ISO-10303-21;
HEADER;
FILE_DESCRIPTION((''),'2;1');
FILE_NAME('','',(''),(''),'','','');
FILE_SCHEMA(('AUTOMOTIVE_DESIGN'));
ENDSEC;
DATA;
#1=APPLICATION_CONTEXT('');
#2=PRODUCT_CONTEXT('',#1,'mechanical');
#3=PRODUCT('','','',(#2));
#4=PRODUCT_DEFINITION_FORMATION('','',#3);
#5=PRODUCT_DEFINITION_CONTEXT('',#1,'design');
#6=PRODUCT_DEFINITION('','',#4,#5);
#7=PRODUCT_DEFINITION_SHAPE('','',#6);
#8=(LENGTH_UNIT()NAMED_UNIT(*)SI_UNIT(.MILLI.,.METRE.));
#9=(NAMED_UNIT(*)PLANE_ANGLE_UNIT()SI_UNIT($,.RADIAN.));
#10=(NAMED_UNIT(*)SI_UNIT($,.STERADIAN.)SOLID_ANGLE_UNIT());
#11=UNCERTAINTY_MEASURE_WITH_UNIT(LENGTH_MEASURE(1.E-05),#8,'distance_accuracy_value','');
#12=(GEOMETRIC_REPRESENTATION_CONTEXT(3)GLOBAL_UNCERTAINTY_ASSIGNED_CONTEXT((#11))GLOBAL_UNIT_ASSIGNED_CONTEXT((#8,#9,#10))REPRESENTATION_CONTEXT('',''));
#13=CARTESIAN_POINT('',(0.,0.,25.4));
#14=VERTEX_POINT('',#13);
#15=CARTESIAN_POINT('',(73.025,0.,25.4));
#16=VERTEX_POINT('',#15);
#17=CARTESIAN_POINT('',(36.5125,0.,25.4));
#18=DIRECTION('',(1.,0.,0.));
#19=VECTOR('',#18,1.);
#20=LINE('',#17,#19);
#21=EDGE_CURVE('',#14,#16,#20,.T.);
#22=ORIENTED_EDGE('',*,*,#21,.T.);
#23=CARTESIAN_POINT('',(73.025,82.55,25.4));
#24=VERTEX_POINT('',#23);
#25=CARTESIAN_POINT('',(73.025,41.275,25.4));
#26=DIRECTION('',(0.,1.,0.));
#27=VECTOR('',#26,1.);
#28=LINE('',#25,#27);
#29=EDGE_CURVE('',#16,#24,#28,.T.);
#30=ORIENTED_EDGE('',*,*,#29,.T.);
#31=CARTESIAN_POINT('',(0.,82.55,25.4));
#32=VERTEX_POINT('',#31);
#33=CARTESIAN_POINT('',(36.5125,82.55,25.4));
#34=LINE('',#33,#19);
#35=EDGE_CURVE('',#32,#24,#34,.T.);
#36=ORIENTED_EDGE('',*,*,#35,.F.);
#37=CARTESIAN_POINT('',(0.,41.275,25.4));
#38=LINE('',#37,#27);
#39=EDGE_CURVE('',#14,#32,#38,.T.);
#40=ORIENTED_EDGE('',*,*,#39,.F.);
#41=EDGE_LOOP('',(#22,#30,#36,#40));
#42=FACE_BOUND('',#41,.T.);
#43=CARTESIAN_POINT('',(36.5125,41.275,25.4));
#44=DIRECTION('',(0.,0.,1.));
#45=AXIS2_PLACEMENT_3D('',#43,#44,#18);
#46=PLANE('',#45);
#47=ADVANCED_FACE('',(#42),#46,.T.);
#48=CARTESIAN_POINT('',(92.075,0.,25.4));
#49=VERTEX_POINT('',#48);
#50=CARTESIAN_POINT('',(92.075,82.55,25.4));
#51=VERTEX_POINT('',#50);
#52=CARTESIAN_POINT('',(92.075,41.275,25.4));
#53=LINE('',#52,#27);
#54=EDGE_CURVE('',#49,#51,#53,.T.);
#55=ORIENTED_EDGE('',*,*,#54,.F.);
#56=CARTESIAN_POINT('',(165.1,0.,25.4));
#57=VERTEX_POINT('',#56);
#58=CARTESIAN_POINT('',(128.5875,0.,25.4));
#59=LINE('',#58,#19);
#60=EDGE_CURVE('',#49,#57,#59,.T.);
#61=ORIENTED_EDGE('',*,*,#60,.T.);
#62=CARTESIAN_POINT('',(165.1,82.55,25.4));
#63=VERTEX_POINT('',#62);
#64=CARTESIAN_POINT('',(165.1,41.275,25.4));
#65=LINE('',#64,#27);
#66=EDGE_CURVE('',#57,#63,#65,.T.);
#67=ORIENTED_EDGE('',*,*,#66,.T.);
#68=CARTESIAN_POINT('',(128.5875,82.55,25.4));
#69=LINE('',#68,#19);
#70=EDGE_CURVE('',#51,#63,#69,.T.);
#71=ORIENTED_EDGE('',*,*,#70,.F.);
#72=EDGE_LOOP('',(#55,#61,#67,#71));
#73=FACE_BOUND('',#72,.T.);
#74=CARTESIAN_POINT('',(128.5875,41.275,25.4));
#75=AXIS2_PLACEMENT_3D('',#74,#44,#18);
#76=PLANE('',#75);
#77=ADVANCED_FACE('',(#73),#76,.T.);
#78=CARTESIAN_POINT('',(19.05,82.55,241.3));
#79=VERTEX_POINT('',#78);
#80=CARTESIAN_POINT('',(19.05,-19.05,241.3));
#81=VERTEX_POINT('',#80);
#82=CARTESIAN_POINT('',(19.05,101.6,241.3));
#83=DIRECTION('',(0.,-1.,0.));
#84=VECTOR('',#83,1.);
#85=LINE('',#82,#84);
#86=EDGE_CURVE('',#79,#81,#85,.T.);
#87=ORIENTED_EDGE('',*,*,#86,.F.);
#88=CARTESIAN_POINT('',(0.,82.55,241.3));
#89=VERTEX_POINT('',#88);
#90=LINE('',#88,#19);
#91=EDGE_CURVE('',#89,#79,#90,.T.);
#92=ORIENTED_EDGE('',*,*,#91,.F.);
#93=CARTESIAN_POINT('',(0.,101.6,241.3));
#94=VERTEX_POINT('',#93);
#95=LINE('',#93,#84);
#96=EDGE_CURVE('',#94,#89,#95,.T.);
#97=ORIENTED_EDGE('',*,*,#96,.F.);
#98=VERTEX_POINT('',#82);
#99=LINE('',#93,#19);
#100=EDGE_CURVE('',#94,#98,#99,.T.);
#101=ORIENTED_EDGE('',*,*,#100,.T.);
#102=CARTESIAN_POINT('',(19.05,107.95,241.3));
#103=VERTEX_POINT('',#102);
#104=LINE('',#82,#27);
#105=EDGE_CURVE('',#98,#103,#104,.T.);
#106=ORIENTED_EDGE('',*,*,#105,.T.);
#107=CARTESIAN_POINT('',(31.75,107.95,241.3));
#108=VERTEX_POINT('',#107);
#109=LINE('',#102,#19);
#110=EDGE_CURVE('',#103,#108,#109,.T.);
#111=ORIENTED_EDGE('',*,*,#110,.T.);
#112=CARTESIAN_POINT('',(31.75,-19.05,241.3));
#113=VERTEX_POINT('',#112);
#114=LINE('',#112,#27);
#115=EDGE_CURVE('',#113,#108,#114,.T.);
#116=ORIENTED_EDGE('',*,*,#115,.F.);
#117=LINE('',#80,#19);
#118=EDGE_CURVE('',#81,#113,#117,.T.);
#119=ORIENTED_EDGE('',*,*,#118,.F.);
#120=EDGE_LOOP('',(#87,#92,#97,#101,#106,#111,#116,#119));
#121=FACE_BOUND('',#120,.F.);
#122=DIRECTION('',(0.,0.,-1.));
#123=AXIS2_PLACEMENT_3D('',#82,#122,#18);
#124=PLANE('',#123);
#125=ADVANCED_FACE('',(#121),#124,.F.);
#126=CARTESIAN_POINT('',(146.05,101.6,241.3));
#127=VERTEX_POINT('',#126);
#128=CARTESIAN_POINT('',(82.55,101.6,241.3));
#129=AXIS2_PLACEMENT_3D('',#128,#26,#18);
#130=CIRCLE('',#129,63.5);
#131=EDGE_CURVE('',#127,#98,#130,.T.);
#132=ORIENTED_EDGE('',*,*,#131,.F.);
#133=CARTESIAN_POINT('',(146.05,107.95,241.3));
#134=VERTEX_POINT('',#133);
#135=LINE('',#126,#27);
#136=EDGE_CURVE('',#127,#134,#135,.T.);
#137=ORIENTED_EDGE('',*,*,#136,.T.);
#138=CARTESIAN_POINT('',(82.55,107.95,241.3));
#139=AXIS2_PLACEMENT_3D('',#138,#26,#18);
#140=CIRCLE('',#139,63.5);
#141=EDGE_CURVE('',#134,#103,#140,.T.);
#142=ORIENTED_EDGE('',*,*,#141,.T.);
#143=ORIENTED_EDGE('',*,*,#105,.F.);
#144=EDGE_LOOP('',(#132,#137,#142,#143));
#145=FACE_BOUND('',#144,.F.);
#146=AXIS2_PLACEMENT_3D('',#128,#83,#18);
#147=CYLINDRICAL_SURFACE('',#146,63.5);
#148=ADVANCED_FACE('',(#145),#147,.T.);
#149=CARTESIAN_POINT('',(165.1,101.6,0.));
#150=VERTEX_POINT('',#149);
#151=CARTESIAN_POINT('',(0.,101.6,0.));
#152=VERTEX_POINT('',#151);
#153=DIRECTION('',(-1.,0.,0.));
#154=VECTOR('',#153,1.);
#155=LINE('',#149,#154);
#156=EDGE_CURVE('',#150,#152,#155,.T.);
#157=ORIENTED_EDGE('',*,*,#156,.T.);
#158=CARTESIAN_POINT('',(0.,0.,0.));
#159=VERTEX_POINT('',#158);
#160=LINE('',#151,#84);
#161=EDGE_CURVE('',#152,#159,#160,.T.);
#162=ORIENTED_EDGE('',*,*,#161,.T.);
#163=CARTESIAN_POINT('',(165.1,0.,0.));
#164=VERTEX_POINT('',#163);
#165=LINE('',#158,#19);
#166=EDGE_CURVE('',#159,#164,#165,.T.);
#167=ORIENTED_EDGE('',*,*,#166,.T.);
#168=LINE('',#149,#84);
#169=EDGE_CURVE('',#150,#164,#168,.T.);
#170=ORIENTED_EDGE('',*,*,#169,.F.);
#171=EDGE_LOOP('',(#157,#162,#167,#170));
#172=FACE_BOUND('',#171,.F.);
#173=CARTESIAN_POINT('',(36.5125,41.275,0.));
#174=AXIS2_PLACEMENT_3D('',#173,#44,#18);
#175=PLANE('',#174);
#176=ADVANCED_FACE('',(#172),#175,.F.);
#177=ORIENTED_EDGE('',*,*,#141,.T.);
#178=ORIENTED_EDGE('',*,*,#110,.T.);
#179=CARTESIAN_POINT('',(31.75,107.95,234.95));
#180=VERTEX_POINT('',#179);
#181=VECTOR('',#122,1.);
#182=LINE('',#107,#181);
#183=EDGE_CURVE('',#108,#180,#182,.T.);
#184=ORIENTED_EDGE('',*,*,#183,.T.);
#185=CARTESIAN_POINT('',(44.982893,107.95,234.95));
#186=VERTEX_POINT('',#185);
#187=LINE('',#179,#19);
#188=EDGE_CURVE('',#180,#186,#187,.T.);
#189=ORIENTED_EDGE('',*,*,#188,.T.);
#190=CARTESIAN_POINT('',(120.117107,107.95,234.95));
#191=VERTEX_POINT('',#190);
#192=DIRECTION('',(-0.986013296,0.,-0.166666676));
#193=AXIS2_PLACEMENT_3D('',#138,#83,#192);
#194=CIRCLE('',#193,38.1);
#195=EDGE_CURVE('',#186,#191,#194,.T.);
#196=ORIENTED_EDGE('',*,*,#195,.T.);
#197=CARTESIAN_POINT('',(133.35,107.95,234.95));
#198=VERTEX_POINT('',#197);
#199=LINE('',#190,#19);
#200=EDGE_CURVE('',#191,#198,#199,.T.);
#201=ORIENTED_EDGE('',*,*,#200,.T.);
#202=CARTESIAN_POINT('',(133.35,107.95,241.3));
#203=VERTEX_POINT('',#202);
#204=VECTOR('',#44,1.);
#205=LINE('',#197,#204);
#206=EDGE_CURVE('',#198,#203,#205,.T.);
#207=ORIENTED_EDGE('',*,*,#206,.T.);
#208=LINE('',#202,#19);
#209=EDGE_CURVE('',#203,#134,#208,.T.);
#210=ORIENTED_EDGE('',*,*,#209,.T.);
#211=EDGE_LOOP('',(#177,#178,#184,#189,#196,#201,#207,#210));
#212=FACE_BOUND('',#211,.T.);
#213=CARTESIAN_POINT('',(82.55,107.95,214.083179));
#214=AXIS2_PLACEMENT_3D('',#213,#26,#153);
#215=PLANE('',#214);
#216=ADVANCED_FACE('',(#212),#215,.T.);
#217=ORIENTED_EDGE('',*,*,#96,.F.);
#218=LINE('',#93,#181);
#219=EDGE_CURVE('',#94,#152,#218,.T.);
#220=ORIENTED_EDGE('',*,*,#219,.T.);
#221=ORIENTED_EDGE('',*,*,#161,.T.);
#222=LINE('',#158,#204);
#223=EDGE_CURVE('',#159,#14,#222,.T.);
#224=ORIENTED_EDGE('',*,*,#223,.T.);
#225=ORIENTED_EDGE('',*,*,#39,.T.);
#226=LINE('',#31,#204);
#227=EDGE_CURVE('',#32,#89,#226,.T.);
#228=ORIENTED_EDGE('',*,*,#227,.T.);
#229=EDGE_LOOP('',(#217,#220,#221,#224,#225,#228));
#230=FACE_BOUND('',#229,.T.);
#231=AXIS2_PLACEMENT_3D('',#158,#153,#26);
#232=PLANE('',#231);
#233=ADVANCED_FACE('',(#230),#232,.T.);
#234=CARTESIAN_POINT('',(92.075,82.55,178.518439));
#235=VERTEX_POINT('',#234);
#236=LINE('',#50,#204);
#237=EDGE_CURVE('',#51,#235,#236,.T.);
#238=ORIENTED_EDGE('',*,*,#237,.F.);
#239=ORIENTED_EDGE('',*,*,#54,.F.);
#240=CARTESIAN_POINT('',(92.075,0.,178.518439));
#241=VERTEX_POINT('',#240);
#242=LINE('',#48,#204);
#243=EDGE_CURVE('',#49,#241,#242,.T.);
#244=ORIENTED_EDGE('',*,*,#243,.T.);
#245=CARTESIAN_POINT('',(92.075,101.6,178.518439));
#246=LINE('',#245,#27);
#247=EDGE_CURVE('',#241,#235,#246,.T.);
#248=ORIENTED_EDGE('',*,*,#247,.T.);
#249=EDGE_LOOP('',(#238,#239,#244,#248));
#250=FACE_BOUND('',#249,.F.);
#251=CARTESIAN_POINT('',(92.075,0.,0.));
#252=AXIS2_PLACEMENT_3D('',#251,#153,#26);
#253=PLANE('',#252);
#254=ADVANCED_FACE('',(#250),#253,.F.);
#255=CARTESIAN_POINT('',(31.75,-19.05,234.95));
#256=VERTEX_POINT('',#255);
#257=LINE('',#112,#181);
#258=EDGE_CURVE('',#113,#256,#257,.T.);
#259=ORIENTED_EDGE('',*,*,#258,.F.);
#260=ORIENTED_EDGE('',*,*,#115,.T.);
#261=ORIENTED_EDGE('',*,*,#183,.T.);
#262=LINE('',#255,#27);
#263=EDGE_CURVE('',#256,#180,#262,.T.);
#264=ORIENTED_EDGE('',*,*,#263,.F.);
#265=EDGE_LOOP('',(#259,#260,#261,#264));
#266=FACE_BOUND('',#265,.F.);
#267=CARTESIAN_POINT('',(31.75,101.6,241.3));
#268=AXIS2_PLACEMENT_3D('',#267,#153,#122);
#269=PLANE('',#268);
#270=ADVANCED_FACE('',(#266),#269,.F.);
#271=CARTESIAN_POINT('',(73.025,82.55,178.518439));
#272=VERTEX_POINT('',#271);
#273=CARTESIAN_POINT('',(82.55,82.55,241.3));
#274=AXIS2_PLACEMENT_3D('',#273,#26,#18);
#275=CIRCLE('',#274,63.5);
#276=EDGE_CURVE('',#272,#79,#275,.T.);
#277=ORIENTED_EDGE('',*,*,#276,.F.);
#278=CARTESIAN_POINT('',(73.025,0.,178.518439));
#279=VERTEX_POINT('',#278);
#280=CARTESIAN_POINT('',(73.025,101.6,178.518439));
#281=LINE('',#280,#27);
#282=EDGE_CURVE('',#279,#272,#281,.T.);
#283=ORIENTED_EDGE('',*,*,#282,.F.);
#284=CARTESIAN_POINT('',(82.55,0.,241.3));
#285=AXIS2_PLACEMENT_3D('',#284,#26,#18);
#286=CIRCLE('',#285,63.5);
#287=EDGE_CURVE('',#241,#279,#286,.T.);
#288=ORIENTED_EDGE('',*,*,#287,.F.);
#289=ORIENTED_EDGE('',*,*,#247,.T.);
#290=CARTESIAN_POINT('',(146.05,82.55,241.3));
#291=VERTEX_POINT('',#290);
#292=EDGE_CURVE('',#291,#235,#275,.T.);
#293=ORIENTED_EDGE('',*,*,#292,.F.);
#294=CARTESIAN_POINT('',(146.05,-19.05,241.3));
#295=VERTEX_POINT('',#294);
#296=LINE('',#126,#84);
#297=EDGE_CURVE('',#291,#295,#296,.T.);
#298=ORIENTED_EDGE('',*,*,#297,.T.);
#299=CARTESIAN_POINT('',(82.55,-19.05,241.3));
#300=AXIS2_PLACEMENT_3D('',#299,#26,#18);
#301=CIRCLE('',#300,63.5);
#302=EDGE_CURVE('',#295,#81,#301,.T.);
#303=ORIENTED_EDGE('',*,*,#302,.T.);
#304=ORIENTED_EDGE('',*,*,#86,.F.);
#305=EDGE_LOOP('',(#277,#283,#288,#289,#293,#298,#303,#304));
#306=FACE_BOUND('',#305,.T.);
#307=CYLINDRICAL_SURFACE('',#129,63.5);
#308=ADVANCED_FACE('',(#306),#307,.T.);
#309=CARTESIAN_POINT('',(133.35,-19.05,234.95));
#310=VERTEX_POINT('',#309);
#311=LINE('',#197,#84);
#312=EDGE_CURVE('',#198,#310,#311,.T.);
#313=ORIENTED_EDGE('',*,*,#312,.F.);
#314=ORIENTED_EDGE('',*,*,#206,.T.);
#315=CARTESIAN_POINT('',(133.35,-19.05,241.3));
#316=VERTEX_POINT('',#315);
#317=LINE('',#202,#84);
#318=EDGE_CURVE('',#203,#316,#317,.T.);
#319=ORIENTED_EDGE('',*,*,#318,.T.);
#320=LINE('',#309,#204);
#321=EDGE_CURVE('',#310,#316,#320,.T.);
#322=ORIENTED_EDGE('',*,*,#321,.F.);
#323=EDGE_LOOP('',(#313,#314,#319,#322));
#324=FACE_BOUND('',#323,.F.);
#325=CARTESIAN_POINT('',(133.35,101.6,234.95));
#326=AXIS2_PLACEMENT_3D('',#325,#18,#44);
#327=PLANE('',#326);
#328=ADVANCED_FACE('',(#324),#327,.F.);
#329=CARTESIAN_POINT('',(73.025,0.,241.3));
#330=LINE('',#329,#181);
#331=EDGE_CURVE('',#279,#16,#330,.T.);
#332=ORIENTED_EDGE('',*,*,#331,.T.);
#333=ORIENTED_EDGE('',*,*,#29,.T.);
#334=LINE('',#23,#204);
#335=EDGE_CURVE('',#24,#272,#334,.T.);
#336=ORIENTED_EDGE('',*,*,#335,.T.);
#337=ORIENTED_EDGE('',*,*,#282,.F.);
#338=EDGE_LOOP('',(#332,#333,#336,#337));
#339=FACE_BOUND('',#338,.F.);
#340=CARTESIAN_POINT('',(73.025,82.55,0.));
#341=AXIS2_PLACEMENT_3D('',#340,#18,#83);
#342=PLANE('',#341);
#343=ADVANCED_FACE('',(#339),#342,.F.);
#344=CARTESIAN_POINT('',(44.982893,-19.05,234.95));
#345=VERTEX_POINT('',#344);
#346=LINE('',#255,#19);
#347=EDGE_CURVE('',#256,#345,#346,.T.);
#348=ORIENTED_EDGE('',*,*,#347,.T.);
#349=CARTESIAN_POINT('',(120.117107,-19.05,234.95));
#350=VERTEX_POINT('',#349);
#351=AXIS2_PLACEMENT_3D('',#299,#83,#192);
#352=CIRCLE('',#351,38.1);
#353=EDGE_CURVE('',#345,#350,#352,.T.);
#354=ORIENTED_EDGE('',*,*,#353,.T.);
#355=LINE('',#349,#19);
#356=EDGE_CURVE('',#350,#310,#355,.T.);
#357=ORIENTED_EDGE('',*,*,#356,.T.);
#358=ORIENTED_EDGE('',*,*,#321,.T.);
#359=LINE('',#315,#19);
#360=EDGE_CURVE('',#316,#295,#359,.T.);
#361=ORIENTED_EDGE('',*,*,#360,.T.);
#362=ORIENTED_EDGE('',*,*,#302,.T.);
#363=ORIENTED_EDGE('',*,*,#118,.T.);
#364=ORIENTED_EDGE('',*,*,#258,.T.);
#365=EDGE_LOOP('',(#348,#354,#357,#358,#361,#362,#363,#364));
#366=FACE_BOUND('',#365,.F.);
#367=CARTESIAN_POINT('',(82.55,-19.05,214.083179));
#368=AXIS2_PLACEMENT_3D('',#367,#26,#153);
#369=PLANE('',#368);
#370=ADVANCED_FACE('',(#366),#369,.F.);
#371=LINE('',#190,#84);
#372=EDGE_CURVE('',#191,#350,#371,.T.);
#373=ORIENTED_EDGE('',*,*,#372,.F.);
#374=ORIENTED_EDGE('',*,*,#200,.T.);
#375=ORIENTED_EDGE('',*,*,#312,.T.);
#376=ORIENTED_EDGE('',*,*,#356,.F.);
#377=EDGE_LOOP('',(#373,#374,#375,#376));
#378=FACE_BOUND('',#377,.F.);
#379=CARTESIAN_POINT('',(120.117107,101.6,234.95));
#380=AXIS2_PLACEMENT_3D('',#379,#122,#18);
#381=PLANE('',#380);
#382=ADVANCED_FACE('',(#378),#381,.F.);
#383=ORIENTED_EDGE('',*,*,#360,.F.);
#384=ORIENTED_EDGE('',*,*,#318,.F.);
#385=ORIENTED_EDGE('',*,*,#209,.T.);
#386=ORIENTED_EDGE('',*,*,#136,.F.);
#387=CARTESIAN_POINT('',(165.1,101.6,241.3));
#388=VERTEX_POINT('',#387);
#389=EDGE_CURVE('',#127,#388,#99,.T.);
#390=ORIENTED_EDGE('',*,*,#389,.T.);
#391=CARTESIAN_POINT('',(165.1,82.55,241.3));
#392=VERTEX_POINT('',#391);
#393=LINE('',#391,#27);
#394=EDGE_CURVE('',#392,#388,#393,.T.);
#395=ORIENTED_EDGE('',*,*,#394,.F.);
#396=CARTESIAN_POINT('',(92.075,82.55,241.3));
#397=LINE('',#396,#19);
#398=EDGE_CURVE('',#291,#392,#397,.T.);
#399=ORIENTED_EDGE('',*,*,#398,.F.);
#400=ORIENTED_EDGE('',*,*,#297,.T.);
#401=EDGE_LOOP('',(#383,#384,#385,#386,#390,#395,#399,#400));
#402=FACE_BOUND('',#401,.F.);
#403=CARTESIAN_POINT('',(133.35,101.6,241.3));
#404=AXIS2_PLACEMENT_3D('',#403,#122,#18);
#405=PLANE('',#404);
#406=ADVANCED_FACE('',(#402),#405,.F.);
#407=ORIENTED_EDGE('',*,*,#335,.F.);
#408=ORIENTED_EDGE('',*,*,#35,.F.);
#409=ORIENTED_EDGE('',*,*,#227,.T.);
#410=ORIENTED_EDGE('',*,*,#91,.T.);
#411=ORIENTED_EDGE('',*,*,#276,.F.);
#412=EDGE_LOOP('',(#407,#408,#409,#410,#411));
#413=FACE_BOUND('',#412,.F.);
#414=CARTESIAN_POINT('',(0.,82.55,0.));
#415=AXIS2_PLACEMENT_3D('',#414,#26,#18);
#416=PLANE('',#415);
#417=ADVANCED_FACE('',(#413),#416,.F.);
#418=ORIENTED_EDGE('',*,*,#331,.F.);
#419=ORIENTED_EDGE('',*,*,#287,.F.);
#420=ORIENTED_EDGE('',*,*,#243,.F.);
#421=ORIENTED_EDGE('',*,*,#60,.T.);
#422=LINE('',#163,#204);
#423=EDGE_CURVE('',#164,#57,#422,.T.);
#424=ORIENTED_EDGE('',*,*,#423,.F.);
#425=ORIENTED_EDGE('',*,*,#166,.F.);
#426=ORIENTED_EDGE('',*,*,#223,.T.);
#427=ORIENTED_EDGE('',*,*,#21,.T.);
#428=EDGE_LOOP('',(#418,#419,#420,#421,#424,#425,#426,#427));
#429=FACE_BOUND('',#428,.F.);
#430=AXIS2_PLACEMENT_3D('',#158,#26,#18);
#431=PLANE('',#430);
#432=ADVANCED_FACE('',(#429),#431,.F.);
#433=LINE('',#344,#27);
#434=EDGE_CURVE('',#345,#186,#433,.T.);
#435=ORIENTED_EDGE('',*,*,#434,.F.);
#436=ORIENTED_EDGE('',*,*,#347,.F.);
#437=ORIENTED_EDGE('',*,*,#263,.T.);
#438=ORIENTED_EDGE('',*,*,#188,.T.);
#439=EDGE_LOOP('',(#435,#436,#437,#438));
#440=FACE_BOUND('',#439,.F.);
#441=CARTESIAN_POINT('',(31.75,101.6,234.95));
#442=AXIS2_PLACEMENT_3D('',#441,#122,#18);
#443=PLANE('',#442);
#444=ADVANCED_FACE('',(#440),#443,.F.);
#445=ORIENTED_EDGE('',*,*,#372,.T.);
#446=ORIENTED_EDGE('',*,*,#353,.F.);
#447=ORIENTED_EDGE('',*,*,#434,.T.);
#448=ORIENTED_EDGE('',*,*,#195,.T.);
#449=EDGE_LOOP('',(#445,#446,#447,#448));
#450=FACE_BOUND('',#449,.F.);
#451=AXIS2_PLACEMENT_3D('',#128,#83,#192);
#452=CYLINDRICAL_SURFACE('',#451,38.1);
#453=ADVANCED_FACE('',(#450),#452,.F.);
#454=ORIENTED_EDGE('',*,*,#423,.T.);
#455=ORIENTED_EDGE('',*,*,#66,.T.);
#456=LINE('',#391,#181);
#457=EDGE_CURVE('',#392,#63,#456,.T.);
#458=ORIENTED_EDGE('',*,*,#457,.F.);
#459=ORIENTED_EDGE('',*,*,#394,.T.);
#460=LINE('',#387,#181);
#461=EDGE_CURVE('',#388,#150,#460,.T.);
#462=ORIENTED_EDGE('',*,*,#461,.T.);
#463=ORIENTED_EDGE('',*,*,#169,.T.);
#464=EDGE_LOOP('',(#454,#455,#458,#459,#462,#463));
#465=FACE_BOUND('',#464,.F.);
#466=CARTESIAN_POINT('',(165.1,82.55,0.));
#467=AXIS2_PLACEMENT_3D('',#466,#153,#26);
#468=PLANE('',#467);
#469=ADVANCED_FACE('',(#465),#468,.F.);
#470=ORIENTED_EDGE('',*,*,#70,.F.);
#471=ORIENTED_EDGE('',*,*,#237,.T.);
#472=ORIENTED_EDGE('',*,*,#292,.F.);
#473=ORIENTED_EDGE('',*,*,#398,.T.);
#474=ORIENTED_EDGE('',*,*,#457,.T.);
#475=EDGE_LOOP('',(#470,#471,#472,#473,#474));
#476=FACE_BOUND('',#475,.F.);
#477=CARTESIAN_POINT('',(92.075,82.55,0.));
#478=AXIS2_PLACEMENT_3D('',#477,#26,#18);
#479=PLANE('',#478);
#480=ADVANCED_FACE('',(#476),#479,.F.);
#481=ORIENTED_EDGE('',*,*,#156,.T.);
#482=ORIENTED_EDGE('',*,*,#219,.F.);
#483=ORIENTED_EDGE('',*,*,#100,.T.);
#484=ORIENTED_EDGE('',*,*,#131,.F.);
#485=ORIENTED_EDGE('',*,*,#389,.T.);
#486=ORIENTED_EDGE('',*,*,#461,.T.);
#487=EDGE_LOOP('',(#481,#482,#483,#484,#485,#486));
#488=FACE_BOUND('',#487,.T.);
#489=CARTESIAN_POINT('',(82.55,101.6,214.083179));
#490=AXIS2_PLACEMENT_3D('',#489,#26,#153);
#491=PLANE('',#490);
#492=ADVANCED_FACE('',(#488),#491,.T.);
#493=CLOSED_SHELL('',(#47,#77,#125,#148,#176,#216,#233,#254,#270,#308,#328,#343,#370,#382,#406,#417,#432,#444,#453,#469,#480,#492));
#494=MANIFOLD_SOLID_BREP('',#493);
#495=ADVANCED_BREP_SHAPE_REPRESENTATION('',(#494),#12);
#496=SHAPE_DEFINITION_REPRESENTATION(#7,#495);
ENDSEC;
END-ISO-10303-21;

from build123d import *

# Parameters (mm, degrees)
F1_DEPTH = 215.9
F0_W     = 73.025
F0_H     = 82.55
F2_DEPTH = 25.4
F4_DEPTH = 120.65
F5_DEPTH = 127
F6_DEPTH = 6.35


with BuildPart() as f1:
    # F0 (on Top) → F1 (new body)
    with BuildSketch(Plane.XY):
        Polygon((73.025, 82.55), (73.025, 0), (92.075, 0), (92.075, 82.55), (165.1, 82.55), (165.1, 101.6), (0, 101.6), (0, 82.55), align=None)
    extrude(amount=F1_DEPTH)

    # F0 (on Top) + F1_face (on face) → F2 (join)
    with BuildSketch(Plane.XY):
        with Locations((36.5125, 41.275)):
            Rectangle(F0_W, F0_H)
        with Locations((128.5875, 41.275)):
            Rectangle(F0_W, F0_H)
    with BuildSketch(Plane(origin=(82.55, 75.141667, 215.9), x_dir=(1, 0, 0), z_dir=(0, 0, 1))):
        Polygon((-9.525, 7.408333), (-9.525, -75.141667), (9.525, -75.141667), (9.525, 7.408333), (82.55, 7.408333), (82.55, 26.458333), (-82.55, 26.458333), (-82.55, 7.408333), align=None)
    extrude(amount=F2_DEPTH)

    # F3 (on face) → F4 (join)
    with BuildSketch(Plane(origin=(0, 101.6, 0), x_dir=(-1, 0, 0), z_dir=(0, 1, 0))):
        with BuildLine():
            Line((-133.35, 241.3), (-146.05, 241.3))
            ThreePointArc((-146.05, 241.3), (-82.55, 177.8), (-19.05, 241.3))
            Line((-19.05, 241.3), (-31.75, 241.3))
            Line((-31.75, 241.3), (-31.75, 234.95))
            Line((-31.75, 234.95), (-44.982893, 234.95))
            ThreePointArc((-44.982893, 234.95), (-82.55, 203.2), (-120.117107, 234.95))
            Line((-120.117107, 234.95), (-133.35, 234.95))
            Line((-133.35, 234.95), (-133.35, 241.3))
        make_face()
    extrude(amount=-F4_DEPTH)

    # F3 (on face) → F5 (cut)
    with BuildSketch(Plane(origin=(0, 101.6, 0), x_dir=(-1, 0, 0), z_dir=(0, 1, 0))):
        with BuildLine():
            Line((-82.55, 241.3), (-133.35, 241.3))
            Line((-133.35, 241.3), (-133.35, 234.95))
            Line((-133.35, 234.95), (-120.117107, 234.95))
            ThreePointArc((-120.117107, 234.95), (-82.55, 203.2), (-44.982893, 234.95))
            Line((-44.982893, 234.95), (-31.75, 234.95))
            Line((-31.75, 234.95), (-31.75, 241.3))
            Line((-31.75, 241.3), (-82.55, 241.3))
        make_face()
    extrude(amount=-F5_DEPTH, mode=Mode.SUBTRACT)

    # F3 (on face) → F6 (join)
    with BuildSketch(Plane(origin=(0, 101.6, 0), x_dir=(-1, 0, 0), z_dir=(0, 1, 0))):
        with BuildLine():
            Line((-133.35, 241.3), (-146.05, 241.3))
            ThreePointArc((-146.05, 241.3), (-82.55, 177.8), (-19.05, 241.3))
            Line((-19.05, 241.3), (-31.75, 241.3))
            Line((-31.75, 241.3), (-31.75, 234.95))
            Line((-31.75, 234.95), (-44.982893, 234.95))
            ThreePointArc((-44.982893, 234.95), (-82.55, 203.2), (-120.117107, 234.95))
            Line((-120.117107, 234.95), (-133.35, 234.95))
            Line((-133.35, 234.95), (-133.35, 241.3))
        make_face()
    extrude(amount=F6_DEPTH)


solid = f1.part
